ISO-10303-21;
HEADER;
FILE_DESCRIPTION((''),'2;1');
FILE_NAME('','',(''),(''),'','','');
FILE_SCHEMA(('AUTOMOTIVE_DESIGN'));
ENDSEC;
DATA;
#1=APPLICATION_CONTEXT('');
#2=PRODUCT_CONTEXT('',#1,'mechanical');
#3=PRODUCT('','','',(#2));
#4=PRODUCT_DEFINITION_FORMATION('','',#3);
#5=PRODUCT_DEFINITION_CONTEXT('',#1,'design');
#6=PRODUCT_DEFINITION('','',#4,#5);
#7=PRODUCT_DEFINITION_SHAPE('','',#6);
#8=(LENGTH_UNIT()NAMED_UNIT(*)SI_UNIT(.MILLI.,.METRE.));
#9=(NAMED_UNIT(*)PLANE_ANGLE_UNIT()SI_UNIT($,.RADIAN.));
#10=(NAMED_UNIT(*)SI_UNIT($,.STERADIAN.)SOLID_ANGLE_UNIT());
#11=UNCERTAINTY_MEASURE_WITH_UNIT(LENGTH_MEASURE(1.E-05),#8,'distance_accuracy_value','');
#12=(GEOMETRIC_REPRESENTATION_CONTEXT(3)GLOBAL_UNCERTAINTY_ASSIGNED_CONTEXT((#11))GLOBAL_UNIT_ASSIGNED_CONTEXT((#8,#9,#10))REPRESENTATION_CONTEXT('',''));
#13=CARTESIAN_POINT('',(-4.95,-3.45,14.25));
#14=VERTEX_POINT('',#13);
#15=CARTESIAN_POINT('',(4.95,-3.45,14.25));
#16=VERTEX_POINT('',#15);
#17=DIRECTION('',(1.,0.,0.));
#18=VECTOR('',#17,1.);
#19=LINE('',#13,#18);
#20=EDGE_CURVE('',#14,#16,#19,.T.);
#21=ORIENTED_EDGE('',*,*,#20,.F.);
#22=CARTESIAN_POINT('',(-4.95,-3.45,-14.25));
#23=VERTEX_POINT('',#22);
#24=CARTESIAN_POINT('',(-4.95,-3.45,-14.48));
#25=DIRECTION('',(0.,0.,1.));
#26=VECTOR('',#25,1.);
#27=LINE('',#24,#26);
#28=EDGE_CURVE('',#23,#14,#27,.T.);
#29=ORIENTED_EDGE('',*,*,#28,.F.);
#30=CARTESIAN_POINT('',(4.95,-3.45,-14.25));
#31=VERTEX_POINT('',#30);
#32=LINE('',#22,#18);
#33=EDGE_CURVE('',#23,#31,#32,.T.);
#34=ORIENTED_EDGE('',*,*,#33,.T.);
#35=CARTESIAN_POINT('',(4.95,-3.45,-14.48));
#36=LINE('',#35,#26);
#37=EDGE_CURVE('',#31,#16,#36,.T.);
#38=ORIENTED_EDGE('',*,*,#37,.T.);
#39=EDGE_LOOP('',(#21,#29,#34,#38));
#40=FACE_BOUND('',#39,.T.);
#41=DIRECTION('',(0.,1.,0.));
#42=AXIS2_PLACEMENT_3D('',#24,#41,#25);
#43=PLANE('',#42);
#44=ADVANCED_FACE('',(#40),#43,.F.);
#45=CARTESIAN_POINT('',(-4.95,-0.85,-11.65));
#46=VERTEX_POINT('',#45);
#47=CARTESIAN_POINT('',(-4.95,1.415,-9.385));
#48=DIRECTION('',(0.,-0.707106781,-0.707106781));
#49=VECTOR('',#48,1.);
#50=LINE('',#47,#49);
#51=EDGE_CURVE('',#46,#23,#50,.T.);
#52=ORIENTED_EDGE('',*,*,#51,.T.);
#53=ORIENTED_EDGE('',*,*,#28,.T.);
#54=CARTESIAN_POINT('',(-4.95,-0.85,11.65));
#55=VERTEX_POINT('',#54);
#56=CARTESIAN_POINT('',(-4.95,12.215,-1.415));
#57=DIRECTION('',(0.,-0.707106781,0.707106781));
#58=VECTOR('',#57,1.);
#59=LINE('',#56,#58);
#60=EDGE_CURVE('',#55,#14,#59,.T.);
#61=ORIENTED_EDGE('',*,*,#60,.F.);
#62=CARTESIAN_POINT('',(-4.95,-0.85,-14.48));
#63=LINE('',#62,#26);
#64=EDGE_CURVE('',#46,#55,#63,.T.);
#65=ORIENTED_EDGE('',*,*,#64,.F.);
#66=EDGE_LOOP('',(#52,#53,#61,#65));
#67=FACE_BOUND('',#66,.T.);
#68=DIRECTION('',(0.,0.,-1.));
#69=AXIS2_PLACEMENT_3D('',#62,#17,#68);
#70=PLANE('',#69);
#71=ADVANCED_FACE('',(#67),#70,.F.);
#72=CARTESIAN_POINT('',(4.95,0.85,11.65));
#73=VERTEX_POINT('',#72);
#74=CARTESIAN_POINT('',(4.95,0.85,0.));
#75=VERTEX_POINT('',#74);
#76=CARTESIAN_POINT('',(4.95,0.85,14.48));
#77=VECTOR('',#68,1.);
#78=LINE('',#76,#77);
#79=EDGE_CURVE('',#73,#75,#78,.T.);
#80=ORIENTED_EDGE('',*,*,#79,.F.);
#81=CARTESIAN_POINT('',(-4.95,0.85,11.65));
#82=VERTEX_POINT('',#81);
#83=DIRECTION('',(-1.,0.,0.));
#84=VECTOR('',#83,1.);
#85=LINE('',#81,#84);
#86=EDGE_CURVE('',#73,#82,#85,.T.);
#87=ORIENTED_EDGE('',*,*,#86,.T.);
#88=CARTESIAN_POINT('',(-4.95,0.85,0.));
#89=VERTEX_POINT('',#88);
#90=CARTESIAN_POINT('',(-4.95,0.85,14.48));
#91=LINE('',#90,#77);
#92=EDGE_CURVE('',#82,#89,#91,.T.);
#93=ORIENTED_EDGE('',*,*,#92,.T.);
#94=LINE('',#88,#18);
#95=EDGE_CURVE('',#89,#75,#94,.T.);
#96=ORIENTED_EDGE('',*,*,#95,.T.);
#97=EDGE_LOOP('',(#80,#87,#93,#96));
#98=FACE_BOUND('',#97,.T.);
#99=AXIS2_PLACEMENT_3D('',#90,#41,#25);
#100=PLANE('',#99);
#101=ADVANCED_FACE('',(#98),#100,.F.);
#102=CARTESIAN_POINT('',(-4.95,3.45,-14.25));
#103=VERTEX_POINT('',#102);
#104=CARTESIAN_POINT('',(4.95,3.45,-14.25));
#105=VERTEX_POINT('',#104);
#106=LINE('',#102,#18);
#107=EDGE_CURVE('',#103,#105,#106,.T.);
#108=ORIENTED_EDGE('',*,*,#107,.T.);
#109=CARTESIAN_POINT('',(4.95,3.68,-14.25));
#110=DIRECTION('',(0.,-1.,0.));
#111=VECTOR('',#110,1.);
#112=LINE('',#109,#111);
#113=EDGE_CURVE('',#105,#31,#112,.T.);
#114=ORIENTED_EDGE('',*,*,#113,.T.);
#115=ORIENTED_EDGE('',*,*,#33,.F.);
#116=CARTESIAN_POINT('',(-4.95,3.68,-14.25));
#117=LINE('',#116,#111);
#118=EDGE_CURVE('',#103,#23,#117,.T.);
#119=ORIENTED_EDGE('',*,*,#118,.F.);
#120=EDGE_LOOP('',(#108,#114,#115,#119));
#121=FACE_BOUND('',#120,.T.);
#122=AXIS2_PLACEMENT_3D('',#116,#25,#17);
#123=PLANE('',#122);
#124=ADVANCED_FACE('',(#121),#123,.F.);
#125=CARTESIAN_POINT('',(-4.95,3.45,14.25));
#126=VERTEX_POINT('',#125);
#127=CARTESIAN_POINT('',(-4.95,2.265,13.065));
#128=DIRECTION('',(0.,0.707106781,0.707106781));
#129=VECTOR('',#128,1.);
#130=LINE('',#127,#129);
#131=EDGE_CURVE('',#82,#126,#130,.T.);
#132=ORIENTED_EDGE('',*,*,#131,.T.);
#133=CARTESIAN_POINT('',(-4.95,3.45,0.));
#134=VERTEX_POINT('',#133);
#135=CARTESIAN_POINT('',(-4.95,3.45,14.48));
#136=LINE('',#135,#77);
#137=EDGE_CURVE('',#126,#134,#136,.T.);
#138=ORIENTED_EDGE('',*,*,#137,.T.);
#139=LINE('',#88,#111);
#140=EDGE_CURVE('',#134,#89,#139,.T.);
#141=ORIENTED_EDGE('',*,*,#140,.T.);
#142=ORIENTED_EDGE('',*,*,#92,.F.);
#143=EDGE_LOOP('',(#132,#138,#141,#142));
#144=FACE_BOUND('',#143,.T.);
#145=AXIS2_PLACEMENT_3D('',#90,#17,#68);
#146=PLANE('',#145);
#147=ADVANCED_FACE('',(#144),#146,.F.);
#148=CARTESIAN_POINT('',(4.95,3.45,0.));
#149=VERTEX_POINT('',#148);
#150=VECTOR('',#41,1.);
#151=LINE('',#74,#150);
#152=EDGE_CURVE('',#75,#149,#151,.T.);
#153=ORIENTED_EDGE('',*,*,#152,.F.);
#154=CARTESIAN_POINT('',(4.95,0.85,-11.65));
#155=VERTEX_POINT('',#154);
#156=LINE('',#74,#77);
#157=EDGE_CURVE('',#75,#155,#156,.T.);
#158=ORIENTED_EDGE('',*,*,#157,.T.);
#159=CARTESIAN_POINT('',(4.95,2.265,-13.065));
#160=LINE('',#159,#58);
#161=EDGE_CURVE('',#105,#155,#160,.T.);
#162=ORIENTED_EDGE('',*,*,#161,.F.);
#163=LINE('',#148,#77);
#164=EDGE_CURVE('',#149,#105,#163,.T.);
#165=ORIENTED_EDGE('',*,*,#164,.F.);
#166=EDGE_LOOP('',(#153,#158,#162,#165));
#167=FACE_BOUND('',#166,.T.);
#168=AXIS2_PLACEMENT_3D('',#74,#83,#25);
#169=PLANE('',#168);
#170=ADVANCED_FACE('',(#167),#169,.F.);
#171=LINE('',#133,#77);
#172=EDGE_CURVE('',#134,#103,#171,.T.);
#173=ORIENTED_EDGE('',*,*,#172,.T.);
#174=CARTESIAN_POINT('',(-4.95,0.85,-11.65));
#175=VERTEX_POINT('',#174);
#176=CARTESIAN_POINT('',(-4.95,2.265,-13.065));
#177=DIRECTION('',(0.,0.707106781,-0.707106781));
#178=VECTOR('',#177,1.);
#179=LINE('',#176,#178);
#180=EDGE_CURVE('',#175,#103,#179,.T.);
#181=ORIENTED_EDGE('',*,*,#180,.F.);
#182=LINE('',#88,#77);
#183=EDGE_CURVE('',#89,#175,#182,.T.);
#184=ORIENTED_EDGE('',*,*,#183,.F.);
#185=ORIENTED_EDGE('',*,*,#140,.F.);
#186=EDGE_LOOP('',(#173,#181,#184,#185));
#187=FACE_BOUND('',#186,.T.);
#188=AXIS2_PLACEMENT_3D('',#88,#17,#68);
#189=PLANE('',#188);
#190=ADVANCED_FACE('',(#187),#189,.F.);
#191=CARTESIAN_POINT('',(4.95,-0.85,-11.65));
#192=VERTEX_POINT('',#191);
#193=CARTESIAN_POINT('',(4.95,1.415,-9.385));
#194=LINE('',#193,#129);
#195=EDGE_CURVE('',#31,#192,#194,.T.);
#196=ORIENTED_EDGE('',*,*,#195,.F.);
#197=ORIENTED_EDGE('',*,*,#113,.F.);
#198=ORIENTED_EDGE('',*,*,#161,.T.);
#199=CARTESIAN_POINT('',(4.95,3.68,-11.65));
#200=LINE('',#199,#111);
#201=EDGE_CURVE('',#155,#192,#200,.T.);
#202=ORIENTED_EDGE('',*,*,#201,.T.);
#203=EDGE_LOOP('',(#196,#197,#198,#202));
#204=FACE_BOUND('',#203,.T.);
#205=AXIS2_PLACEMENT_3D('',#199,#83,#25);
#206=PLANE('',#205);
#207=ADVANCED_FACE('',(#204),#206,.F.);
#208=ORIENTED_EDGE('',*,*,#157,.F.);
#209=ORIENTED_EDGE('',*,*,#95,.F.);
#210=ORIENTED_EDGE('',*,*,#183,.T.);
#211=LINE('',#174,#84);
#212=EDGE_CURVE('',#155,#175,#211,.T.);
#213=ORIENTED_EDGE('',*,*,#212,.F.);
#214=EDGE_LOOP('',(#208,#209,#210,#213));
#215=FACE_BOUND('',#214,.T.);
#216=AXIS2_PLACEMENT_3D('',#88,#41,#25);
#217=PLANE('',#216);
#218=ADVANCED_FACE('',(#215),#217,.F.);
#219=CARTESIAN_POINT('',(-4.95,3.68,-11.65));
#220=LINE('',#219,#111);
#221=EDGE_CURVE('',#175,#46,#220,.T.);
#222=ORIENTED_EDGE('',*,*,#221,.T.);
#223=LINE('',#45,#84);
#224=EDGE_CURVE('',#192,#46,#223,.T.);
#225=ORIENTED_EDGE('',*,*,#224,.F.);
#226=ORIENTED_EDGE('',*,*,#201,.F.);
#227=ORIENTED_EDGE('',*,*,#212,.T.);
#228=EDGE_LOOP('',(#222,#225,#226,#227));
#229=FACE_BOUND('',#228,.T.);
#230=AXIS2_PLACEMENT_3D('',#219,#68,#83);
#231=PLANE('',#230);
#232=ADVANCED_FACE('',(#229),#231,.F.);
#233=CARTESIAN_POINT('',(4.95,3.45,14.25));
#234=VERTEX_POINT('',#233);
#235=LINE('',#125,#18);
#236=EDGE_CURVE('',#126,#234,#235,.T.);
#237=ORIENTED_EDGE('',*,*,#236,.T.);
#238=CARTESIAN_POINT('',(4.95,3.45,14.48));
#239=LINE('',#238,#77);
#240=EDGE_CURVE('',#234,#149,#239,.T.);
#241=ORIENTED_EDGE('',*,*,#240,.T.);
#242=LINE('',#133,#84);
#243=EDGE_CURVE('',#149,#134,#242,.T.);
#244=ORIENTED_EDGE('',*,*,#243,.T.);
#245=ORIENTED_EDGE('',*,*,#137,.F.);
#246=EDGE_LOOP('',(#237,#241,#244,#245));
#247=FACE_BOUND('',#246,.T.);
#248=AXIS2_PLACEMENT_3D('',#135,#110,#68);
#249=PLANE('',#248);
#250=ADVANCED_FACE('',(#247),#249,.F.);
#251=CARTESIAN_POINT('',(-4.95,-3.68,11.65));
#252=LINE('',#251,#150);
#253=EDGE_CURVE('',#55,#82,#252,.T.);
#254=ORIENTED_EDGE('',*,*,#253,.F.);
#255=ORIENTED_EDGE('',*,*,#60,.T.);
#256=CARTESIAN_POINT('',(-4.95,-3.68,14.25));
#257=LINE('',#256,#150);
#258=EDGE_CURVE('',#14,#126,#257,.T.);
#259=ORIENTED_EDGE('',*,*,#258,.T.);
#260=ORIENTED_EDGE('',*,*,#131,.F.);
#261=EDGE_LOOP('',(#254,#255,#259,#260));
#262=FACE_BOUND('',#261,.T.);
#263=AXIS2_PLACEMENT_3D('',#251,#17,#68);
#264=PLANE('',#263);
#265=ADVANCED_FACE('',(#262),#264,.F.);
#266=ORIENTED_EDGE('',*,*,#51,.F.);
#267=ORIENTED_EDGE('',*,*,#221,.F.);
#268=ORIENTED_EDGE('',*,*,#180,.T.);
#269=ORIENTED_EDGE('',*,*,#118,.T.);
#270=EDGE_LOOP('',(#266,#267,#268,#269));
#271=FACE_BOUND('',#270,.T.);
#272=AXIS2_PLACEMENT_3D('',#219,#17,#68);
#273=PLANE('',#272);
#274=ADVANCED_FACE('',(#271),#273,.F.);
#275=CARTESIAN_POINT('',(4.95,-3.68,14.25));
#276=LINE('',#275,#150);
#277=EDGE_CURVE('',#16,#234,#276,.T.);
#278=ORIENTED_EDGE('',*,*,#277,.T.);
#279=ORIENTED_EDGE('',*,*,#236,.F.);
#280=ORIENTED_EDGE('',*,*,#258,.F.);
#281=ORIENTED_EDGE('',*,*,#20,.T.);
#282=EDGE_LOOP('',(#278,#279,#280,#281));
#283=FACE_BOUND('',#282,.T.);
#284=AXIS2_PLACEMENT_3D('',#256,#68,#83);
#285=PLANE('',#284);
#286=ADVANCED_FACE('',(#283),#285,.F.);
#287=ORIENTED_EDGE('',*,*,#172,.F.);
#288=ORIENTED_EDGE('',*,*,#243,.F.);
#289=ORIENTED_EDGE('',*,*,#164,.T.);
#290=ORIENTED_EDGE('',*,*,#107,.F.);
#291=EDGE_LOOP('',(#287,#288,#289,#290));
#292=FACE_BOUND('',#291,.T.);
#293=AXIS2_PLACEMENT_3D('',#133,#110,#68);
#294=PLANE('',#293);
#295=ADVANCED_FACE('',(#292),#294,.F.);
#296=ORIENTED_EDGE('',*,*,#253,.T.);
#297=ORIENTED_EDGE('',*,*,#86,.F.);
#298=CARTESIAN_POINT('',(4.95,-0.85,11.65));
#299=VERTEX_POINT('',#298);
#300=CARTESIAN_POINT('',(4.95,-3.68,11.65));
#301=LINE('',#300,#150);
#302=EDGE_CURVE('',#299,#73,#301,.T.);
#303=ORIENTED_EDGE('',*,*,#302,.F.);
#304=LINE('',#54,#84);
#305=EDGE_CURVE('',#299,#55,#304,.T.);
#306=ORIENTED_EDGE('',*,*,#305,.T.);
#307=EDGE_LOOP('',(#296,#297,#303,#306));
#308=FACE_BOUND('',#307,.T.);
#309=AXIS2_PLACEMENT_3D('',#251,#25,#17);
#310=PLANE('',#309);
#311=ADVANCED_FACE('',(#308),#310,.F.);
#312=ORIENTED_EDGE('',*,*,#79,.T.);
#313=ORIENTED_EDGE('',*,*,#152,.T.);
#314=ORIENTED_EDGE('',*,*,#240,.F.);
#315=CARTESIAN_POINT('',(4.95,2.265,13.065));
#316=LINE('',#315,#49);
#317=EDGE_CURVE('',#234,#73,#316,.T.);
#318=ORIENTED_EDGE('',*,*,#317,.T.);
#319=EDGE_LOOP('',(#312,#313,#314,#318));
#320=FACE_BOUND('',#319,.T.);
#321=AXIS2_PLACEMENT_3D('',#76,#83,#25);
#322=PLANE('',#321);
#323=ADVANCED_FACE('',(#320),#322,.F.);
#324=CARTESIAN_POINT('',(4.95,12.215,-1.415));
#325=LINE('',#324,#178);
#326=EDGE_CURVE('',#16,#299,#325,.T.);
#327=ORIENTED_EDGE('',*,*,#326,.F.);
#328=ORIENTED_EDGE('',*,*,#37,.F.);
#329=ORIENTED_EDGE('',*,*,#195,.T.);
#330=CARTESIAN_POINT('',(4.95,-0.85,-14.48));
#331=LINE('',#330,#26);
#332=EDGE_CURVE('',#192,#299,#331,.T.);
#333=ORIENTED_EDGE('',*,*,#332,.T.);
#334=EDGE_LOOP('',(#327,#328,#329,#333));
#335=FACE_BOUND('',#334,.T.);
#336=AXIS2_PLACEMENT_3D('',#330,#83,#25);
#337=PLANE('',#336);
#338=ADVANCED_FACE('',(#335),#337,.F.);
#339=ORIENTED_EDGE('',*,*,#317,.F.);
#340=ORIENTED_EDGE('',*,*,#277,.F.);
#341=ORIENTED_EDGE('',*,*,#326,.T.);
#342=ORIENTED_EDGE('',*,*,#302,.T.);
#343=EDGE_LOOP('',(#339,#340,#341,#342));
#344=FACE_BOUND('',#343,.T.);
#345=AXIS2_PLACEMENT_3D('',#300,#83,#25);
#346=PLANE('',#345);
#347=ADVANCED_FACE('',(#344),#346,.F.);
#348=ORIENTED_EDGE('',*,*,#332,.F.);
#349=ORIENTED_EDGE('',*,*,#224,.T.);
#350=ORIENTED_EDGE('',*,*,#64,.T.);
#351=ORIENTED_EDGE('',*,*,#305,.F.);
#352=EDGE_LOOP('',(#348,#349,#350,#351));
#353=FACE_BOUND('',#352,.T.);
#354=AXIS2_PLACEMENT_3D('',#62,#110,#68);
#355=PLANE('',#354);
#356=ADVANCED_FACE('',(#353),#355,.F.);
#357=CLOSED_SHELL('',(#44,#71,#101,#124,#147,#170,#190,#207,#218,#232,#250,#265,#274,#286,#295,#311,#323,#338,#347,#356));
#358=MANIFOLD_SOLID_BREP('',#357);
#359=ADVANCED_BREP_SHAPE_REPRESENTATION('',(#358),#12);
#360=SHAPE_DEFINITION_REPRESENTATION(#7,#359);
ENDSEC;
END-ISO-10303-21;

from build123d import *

# Parameters (mm, degrees)
CROSS_SECTION_W = 9.9
CROSS_SECTION_H = 2.6


with BuildPart() as part:
    # Sweep1: sweep along a path in path
    with BuildLine(Plane(origin=(0, 0, 0), x_dir=(0, 0, -1), z_dir=(1, 0, 0))) as sweep1_path:
        Line((-12.95, 2.15), (12.95, 2.15))
        Line((12.95, 2.15), (12.95, -2.15))
        Line((12.95, -2.15), (-12.95, -2.15))
        Line((-12.95, -2.15), (-12.95, 2.15))
    # cross-section → Sweep1 (sweep)
    with BuildSketch(Plane.XY):
        with Locations((0, 2.15)):
            Rectangle(CROSS_SECTION_W, CROSS_SECTION_H)
    sweep(path=sweep1_path.line, transition=Transition.RIGHT)


solid = part.part
